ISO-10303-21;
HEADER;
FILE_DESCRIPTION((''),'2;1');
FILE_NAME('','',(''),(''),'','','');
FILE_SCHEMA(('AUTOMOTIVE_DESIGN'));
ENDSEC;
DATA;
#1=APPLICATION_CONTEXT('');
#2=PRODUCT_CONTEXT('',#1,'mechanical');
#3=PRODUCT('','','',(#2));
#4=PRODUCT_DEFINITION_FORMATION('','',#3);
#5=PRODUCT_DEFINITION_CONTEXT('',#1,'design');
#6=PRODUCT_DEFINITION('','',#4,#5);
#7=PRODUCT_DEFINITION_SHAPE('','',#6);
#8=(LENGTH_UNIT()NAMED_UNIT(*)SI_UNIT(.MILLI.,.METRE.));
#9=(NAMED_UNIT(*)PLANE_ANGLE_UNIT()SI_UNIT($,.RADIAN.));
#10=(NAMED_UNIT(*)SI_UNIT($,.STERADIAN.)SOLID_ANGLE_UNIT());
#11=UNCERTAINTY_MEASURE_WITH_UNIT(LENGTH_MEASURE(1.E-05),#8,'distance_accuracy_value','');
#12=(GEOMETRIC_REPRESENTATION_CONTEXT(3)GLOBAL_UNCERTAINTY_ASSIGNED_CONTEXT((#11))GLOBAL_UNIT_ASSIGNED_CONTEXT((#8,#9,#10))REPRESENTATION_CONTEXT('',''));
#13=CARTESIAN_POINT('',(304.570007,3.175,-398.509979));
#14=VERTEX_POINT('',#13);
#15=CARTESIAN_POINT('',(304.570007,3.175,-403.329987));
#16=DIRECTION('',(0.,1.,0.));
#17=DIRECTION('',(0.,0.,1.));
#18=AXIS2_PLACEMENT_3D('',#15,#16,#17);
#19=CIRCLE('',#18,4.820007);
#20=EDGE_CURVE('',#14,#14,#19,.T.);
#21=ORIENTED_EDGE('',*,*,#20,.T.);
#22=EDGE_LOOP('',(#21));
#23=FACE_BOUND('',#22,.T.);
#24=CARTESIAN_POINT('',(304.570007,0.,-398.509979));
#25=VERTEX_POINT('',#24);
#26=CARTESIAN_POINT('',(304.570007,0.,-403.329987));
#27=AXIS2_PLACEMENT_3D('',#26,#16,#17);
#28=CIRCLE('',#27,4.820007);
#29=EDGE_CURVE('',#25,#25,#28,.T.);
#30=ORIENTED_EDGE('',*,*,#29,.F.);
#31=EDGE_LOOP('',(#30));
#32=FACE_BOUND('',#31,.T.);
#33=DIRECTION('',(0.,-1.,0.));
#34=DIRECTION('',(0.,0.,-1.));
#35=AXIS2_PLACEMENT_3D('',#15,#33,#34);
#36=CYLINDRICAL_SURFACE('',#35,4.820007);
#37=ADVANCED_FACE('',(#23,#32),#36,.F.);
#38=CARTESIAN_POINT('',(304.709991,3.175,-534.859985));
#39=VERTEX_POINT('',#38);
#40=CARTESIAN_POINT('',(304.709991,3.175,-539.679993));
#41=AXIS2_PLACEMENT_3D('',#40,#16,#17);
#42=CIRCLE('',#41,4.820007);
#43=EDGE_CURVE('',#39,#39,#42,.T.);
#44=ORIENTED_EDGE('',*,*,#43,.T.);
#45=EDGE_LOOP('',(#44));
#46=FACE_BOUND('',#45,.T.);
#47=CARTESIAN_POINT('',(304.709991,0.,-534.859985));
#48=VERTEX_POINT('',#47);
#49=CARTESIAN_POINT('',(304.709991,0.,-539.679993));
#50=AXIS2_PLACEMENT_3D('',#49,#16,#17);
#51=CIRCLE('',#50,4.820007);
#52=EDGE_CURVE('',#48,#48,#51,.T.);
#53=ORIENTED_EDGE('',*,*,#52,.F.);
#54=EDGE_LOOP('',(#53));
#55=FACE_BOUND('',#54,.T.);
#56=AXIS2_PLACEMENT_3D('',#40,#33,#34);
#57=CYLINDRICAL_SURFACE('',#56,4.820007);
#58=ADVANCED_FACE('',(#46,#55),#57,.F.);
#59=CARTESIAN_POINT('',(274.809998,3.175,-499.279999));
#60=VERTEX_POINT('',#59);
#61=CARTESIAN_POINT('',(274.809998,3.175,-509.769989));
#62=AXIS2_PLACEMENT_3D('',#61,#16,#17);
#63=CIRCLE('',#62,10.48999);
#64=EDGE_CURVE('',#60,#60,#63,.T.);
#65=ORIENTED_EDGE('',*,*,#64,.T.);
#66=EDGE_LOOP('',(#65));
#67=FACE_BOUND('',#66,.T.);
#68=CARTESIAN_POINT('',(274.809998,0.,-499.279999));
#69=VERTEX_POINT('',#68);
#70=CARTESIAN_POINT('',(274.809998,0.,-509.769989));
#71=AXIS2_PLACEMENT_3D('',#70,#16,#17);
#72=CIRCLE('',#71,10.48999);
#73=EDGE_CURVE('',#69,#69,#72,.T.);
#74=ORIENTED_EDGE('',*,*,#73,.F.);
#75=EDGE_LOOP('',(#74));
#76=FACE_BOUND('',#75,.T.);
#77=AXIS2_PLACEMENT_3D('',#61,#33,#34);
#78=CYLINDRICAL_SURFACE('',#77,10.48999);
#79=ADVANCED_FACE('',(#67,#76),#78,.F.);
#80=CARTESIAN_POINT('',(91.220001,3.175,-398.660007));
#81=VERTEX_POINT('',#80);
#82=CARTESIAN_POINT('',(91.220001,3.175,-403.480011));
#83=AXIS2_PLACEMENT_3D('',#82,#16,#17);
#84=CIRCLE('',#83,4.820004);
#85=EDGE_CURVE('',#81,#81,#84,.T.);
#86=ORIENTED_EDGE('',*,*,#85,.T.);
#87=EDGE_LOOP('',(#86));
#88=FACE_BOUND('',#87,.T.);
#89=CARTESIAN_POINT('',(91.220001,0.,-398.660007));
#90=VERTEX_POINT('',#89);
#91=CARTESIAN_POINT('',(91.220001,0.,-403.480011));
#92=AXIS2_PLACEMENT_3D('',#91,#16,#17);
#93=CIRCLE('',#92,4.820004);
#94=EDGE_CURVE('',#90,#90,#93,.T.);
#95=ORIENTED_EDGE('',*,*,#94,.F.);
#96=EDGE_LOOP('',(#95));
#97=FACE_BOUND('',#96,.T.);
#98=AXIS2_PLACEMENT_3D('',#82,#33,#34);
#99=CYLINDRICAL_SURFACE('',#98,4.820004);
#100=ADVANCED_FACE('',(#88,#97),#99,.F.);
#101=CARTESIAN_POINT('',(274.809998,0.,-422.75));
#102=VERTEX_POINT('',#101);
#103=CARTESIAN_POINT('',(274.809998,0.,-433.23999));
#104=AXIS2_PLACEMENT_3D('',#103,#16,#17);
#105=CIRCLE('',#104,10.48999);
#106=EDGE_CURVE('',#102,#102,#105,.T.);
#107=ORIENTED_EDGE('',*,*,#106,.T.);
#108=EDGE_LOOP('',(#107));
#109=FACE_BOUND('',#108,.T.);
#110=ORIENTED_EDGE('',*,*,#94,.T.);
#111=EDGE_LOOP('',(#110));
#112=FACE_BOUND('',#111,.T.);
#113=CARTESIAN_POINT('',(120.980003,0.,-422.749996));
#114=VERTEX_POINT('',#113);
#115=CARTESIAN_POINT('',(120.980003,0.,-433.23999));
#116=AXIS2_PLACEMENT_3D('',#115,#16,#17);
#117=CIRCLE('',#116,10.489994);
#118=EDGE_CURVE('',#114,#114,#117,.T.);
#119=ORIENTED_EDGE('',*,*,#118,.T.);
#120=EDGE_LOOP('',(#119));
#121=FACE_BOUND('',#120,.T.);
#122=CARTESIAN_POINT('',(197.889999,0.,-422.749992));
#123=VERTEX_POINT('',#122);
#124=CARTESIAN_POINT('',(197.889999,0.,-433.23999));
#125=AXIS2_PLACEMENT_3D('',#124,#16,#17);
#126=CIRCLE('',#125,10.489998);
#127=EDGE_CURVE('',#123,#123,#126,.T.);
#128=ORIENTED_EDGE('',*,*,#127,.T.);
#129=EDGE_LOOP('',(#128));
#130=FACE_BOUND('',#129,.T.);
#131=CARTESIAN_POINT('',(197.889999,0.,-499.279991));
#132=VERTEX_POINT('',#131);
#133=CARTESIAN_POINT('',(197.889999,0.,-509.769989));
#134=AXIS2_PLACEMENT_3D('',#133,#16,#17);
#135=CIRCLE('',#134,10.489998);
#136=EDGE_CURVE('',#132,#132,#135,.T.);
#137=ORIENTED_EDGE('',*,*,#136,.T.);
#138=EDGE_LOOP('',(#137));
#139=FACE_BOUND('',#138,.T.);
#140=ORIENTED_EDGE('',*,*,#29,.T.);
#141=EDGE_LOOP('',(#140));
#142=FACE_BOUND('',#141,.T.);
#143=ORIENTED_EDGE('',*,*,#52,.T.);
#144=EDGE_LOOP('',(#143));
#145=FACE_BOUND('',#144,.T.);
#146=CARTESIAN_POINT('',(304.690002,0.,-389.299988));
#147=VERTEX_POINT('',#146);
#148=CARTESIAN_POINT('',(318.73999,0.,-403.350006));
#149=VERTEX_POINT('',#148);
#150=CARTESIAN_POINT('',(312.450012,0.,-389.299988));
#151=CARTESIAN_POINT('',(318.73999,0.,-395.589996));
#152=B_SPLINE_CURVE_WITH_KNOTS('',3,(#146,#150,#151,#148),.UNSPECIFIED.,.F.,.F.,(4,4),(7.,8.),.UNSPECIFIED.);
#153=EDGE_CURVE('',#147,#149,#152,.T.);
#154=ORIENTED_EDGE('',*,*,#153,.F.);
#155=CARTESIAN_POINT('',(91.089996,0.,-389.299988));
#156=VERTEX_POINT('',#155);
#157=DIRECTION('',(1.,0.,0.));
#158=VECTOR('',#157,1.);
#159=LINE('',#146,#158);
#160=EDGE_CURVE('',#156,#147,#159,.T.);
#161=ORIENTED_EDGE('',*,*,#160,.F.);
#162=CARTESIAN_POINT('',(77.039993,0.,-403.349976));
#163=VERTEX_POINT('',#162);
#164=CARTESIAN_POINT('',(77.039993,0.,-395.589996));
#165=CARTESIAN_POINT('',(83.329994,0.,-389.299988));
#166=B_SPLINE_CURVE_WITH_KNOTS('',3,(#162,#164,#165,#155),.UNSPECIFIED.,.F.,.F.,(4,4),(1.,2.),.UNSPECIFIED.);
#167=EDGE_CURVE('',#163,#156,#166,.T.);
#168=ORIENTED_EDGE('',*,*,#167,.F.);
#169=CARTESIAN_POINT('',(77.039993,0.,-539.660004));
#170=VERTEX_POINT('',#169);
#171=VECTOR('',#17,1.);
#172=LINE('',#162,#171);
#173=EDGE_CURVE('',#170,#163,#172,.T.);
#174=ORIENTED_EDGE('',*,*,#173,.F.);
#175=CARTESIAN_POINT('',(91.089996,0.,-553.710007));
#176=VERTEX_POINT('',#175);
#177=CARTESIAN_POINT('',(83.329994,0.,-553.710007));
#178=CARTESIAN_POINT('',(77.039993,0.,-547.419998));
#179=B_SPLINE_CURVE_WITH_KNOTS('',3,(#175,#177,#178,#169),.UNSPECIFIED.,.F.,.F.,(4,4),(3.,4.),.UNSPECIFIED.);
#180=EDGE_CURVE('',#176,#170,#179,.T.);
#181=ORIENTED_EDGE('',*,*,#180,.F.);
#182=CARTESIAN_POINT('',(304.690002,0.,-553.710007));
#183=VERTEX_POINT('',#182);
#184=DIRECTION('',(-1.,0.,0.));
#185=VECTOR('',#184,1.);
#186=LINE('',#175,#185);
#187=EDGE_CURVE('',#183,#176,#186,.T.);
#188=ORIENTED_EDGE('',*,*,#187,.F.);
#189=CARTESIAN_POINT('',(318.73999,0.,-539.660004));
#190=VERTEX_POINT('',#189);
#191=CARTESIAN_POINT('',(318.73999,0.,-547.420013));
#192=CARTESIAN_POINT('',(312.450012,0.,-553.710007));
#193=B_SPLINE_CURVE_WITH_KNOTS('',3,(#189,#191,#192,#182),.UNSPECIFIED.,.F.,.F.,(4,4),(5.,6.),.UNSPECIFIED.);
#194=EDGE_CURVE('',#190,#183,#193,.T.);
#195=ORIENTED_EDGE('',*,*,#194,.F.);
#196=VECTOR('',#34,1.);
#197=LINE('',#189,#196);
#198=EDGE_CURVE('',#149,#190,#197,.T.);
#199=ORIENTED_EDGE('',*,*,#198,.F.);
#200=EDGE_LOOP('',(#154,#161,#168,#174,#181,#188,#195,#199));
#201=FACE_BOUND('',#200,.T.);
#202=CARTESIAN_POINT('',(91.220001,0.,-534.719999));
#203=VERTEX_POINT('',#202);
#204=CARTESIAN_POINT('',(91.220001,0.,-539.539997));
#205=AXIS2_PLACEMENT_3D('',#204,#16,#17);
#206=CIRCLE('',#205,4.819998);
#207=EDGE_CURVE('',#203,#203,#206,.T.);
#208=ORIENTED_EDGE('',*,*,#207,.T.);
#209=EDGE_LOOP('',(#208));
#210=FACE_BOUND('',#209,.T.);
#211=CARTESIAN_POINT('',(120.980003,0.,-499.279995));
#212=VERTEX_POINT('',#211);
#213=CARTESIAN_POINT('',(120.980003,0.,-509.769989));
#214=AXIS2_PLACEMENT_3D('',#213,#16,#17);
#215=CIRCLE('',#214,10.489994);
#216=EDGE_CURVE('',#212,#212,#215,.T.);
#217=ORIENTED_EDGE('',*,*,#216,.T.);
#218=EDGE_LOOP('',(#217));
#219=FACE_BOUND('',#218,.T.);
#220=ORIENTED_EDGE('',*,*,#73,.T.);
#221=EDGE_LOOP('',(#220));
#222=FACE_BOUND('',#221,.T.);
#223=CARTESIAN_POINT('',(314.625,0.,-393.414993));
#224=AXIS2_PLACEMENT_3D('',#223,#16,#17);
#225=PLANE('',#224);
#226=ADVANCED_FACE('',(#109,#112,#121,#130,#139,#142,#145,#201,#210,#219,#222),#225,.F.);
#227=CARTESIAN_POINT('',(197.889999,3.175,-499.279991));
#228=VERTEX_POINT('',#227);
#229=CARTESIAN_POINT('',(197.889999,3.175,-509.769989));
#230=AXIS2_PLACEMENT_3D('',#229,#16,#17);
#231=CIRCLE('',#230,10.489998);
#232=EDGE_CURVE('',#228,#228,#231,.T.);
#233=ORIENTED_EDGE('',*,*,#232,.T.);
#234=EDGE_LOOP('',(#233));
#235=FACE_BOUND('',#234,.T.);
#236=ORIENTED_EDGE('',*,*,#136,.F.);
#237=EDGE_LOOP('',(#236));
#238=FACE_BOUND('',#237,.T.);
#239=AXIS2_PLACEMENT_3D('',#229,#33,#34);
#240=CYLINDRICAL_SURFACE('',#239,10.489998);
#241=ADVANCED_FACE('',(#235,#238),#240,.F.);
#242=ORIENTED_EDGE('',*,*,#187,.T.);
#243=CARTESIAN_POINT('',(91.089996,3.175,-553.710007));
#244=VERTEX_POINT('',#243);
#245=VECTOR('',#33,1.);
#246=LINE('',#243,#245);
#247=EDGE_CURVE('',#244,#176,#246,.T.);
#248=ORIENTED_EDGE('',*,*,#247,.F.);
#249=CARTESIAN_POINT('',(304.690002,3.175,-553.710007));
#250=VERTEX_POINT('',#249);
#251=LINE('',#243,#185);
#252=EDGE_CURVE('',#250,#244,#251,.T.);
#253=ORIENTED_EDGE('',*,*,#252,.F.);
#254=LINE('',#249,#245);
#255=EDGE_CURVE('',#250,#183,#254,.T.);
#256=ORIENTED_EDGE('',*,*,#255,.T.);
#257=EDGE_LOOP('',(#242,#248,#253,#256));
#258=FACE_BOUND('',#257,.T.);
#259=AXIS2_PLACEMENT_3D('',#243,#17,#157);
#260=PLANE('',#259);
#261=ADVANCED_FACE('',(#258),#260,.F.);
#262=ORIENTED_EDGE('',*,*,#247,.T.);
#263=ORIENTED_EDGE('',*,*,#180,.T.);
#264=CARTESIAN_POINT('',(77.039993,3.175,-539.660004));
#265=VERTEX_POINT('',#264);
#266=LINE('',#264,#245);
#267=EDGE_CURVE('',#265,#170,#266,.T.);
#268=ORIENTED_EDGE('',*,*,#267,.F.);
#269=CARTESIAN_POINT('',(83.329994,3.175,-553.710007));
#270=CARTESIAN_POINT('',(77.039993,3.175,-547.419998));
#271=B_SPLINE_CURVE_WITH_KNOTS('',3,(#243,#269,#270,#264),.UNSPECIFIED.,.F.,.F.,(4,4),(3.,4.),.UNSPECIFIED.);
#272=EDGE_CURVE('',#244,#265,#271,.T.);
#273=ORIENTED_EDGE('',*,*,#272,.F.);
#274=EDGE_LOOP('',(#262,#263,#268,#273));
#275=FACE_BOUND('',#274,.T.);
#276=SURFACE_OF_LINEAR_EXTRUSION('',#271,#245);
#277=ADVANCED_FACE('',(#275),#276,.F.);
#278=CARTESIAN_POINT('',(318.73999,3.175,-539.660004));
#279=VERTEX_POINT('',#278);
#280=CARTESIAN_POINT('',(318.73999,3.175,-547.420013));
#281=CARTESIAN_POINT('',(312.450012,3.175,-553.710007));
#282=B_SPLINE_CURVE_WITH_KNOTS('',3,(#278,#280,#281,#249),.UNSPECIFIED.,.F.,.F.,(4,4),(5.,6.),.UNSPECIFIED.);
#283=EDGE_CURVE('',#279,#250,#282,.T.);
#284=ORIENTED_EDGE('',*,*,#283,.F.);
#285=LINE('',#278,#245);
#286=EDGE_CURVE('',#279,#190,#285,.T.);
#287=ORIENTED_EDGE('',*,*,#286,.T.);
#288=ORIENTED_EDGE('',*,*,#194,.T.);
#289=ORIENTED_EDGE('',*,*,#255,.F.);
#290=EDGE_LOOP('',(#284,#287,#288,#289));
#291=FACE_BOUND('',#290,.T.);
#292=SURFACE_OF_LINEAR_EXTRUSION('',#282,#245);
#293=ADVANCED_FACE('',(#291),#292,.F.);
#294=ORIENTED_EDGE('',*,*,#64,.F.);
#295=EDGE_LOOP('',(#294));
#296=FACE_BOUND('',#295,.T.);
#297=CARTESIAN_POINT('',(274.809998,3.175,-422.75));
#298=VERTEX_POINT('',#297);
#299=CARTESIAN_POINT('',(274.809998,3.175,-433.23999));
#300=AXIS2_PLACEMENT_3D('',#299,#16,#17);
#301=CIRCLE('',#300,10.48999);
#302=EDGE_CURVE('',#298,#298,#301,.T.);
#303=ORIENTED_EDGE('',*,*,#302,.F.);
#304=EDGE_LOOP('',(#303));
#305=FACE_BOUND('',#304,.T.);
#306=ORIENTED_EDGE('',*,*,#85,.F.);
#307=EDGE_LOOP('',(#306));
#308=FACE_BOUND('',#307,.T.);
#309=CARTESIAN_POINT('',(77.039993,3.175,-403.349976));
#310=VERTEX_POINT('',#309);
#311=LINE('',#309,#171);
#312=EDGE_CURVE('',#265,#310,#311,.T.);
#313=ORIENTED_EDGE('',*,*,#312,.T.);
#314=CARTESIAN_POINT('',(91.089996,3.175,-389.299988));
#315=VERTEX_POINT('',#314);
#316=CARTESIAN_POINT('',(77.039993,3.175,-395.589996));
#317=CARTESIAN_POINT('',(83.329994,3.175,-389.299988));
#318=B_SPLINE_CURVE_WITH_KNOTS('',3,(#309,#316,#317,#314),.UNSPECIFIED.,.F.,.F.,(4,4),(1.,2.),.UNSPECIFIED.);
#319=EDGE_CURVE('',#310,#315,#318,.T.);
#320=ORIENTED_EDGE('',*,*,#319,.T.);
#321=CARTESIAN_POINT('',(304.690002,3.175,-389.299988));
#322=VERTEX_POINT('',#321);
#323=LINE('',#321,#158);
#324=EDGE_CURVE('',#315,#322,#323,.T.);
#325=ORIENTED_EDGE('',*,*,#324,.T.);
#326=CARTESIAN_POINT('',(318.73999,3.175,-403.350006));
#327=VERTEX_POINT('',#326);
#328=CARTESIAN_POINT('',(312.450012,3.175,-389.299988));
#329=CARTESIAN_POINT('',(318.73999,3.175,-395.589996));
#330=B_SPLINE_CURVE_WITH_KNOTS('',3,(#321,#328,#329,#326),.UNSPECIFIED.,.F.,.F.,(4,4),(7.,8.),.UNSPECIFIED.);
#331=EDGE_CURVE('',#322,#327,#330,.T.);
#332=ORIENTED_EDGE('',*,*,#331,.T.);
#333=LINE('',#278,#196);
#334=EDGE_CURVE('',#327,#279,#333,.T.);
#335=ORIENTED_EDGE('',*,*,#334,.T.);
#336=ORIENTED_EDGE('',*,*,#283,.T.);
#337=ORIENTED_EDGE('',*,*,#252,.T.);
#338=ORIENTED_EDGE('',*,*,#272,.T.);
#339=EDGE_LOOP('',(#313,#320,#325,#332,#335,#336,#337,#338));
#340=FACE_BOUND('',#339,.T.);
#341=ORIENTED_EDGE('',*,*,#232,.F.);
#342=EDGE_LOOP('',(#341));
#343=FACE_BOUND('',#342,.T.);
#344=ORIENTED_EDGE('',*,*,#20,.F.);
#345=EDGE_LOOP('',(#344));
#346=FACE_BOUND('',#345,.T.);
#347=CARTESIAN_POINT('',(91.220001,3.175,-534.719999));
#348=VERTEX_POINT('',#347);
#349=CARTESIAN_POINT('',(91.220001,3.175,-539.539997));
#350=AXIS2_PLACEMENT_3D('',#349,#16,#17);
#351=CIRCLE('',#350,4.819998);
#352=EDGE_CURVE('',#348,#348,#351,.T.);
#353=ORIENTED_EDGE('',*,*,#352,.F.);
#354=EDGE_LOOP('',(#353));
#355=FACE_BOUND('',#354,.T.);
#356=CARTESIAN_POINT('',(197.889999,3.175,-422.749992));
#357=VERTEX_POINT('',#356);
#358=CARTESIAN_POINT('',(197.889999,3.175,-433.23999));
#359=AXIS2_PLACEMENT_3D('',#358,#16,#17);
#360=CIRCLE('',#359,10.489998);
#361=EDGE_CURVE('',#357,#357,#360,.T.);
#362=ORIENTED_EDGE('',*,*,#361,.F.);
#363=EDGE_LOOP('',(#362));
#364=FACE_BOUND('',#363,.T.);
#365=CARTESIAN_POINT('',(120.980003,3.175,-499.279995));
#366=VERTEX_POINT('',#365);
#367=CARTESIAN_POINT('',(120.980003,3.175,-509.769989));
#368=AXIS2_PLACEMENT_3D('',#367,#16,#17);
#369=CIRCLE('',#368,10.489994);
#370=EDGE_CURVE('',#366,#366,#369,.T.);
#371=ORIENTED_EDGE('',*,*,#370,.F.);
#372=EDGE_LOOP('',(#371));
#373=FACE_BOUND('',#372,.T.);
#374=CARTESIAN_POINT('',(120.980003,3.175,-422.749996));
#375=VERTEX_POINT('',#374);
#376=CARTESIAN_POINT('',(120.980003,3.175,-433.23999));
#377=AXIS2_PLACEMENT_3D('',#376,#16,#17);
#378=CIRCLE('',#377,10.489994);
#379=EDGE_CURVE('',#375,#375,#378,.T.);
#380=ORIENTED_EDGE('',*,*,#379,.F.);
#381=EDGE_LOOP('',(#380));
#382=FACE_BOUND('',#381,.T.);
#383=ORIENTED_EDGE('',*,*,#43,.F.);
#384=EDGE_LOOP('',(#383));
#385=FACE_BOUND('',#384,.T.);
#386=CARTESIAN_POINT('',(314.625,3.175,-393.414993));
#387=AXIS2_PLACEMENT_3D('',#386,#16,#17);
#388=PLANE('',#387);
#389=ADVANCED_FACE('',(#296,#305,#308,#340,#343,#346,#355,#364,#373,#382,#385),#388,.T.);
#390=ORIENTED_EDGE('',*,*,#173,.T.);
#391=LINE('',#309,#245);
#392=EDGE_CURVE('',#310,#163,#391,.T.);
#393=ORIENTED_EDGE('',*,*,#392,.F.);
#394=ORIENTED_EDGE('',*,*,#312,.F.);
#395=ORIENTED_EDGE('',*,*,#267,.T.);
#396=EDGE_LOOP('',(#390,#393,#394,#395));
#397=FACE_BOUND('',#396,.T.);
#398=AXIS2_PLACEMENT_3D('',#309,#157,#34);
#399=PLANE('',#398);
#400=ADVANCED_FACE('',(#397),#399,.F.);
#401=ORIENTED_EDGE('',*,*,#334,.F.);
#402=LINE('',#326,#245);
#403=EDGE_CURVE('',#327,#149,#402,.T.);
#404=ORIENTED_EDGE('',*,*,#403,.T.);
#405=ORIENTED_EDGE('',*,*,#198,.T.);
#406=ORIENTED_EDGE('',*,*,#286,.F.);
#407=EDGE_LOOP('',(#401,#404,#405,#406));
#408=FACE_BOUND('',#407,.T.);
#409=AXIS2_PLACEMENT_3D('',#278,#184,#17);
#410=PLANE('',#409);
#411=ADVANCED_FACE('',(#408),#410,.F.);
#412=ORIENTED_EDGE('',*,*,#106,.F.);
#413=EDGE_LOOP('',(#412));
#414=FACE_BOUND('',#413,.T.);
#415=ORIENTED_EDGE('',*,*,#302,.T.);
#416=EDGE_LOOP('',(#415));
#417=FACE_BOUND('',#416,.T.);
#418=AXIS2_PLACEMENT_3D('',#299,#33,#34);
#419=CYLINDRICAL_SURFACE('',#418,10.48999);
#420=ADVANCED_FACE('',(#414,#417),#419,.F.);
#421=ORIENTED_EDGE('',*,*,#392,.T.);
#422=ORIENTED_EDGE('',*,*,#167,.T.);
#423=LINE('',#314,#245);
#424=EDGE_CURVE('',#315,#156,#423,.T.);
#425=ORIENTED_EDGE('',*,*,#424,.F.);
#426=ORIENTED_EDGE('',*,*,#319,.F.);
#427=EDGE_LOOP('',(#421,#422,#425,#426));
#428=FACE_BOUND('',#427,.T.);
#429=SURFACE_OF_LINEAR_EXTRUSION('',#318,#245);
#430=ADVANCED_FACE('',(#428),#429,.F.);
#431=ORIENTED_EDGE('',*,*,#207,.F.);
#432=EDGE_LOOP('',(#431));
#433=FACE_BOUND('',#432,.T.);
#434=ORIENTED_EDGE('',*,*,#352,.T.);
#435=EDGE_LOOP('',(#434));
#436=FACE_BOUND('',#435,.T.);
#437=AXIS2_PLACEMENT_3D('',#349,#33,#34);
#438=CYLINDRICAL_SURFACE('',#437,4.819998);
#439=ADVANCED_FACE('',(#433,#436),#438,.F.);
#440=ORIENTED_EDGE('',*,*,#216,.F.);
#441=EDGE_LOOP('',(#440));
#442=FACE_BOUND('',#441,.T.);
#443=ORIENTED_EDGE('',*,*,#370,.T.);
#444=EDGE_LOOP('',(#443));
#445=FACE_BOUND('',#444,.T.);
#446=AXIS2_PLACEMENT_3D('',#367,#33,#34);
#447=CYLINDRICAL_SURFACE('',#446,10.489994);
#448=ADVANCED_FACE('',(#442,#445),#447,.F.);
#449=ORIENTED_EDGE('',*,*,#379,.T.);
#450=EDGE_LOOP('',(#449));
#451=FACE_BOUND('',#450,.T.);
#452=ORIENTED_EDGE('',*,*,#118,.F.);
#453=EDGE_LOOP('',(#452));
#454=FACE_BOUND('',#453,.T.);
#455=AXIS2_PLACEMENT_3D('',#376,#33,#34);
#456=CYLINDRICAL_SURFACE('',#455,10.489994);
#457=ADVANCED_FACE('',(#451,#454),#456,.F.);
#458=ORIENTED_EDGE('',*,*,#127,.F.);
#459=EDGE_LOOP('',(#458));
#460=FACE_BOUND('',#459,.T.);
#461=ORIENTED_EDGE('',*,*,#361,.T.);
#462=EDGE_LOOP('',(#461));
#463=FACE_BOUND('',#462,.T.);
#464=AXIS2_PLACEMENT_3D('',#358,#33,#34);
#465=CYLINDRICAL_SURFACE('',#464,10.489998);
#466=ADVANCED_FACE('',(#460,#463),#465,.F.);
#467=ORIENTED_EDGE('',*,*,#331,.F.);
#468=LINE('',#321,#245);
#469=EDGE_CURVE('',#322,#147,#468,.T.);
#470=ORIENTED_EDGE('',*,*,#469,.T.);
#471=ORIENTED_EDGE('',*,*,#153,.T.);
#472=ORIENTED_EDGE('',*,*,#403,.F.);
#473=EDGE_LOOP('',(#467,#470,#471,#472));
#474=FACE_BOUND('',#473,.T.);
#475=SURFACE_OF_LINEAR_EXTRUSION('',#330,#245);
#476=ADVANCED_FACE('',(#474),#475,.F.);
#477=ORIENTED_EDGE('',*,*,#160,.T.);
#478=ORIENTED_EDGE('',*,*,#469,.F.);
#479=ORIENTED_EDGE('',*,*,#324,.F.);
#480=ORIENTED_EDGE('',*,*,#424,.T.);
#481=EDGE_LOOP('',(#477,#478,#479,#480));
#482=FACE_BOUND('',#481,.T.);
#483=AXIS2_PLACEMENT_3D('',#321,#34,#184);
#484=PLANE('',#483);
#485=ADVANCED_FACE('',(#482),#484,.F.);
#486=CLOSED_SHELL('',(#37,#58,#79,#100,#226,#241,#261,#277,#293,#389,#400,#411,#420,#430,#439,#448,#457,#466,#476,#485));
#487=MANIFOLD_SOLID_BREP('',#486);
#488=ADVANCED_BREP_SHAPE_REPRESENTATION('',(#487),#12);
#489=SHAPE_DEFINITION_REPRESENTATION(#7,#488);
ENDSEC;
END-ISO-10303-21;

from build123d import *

# Parameters (mm, degrees)
SKETCH1_R           = 10.489994049
SKETCH1_R_2         = 10.489997864
SKETCH1_R_3         = 10.489990234
SKETCH1_R_4         = 4.819997787
SKETCH1_R_5         = 4.82000351
SKETCH1_R_6         = 4.820007324
BOSS_EXTRUDE1_DEPTH = 3.175


with BuildPart() as part:
    # Sketch1 → Boss-Extrude1 (new body)
    with BuildSketch(Plane(origin=(0, 0, 0), x_dir=(1, 0, 0), z_dir=(0, 1, 0))):
        with BuildLine():
            Line((304.690002441, 389.299987793), (91.089996338, 389.299987793))
            add(Edge.make_bspline(
                [(91.089996338, 389.299987793), (83.329994202, 389.299987793), (77.039993286, 395.589996338), (77.039993286, 403.349975586)],
                knots=[1, 1, 1, 1, 2, 2, 2, 2], degree=3))
            Line((77.039993286, 403.349975586), (77.039993286, 539.660003662))
            add(Edge.make_bspline(
                [(77.039993286, 539.660003662), (77.039993286, 547.419998169), (83.329994202, 553.710006714), (91.089996338, 553.710006714)],
                knots=[3, 3, 3, 3, 4, 4, 4, 4], degree=3))
            Line((91.089996338, 553.710006714), (304.690002441, 553.710006714))
            add(Edge.make_bspline(
                [(304.690002441, 553.710006714), (312.450012207, 553.710006714), (318.739990234, 547.420013428), (318.739990234, 539.660003662)],
                knots=[5, 5, 5, 5, 6, 6, 6, 6], degree=3))
            Line((318.739990234, 539.660003662), (318.739990234, 403.350006104))
            add(Edge.make_bspline(
                [(318.739990234, 403.350006104), (318.739990234, 395.589996338), (312.450012207, 389.299987793), (304.690002441, 389.299987793)],
                knots=[7, 7, 7, 7, 8, 8, 8, 8], degree=3))
        make_face()
        with Locations(Location((120.980003357, 509.769989014, 0), (0, 0, 270))):
            Circle(SKETCH1_R, mode=Mode.SUBTRACT)
        with Locations(Location((197.88999939, 509.769989014, 0), (0, 0, 270))):
            Circle(SKETCH1_R_2, mode=Mode.SUBTRACT)
        with Locations(Location((274.809997559, 509.769989014, 0), (0, 0, 270))):
            Circle(SKETCH1_R_3, mode=Mode.SUBTRACT)
        with Locations(Location((120.980003357, 433.239990234, 0), (0, 0, 270))):
            Circle(SKETCH1_R, mode=Mode.SUBTRACT)
        with Locations(Location((197.88999939, 433.239990234, 0), (0, 0, 270))):
            Circle(SKETCH1_R_2, mode=Mode.SUBTRACT)
        with Locations(Location((274.809997559, 433.239990234, 0), (0, 0, 270))):
            Circle(SKETCH1_R_3, mode=Mode.SUBTRACT)
        with Locations(Location((91.220001221, 539.539997101, 0), (0, 0, 270))):
            Circle(SKETCH1_R_4, mode=Mode.SUBTRACT)
        with Locations(Location((91.220001221, 403.480010986, 0), (0, 0, 270))):
            Circle(SKETCH1_R_5, mode=Mode.SUBTRACT)
        with Locations(Location((304.570007324, 403.329986572, 0), (0, 0, 270))):
            Circle(SKETCH1_R_6, mode=Mode.SUBTRACT)
        with Locations(Location((304.709991455, 539.679992676, 0), (0, 0, 270))):
            Circle(SKETCH1_R_6, mode=Mode.SUBTRACT)
    extrude(amount=BOSS_EXTRUDE1_DEPTH)


solid = part.part
